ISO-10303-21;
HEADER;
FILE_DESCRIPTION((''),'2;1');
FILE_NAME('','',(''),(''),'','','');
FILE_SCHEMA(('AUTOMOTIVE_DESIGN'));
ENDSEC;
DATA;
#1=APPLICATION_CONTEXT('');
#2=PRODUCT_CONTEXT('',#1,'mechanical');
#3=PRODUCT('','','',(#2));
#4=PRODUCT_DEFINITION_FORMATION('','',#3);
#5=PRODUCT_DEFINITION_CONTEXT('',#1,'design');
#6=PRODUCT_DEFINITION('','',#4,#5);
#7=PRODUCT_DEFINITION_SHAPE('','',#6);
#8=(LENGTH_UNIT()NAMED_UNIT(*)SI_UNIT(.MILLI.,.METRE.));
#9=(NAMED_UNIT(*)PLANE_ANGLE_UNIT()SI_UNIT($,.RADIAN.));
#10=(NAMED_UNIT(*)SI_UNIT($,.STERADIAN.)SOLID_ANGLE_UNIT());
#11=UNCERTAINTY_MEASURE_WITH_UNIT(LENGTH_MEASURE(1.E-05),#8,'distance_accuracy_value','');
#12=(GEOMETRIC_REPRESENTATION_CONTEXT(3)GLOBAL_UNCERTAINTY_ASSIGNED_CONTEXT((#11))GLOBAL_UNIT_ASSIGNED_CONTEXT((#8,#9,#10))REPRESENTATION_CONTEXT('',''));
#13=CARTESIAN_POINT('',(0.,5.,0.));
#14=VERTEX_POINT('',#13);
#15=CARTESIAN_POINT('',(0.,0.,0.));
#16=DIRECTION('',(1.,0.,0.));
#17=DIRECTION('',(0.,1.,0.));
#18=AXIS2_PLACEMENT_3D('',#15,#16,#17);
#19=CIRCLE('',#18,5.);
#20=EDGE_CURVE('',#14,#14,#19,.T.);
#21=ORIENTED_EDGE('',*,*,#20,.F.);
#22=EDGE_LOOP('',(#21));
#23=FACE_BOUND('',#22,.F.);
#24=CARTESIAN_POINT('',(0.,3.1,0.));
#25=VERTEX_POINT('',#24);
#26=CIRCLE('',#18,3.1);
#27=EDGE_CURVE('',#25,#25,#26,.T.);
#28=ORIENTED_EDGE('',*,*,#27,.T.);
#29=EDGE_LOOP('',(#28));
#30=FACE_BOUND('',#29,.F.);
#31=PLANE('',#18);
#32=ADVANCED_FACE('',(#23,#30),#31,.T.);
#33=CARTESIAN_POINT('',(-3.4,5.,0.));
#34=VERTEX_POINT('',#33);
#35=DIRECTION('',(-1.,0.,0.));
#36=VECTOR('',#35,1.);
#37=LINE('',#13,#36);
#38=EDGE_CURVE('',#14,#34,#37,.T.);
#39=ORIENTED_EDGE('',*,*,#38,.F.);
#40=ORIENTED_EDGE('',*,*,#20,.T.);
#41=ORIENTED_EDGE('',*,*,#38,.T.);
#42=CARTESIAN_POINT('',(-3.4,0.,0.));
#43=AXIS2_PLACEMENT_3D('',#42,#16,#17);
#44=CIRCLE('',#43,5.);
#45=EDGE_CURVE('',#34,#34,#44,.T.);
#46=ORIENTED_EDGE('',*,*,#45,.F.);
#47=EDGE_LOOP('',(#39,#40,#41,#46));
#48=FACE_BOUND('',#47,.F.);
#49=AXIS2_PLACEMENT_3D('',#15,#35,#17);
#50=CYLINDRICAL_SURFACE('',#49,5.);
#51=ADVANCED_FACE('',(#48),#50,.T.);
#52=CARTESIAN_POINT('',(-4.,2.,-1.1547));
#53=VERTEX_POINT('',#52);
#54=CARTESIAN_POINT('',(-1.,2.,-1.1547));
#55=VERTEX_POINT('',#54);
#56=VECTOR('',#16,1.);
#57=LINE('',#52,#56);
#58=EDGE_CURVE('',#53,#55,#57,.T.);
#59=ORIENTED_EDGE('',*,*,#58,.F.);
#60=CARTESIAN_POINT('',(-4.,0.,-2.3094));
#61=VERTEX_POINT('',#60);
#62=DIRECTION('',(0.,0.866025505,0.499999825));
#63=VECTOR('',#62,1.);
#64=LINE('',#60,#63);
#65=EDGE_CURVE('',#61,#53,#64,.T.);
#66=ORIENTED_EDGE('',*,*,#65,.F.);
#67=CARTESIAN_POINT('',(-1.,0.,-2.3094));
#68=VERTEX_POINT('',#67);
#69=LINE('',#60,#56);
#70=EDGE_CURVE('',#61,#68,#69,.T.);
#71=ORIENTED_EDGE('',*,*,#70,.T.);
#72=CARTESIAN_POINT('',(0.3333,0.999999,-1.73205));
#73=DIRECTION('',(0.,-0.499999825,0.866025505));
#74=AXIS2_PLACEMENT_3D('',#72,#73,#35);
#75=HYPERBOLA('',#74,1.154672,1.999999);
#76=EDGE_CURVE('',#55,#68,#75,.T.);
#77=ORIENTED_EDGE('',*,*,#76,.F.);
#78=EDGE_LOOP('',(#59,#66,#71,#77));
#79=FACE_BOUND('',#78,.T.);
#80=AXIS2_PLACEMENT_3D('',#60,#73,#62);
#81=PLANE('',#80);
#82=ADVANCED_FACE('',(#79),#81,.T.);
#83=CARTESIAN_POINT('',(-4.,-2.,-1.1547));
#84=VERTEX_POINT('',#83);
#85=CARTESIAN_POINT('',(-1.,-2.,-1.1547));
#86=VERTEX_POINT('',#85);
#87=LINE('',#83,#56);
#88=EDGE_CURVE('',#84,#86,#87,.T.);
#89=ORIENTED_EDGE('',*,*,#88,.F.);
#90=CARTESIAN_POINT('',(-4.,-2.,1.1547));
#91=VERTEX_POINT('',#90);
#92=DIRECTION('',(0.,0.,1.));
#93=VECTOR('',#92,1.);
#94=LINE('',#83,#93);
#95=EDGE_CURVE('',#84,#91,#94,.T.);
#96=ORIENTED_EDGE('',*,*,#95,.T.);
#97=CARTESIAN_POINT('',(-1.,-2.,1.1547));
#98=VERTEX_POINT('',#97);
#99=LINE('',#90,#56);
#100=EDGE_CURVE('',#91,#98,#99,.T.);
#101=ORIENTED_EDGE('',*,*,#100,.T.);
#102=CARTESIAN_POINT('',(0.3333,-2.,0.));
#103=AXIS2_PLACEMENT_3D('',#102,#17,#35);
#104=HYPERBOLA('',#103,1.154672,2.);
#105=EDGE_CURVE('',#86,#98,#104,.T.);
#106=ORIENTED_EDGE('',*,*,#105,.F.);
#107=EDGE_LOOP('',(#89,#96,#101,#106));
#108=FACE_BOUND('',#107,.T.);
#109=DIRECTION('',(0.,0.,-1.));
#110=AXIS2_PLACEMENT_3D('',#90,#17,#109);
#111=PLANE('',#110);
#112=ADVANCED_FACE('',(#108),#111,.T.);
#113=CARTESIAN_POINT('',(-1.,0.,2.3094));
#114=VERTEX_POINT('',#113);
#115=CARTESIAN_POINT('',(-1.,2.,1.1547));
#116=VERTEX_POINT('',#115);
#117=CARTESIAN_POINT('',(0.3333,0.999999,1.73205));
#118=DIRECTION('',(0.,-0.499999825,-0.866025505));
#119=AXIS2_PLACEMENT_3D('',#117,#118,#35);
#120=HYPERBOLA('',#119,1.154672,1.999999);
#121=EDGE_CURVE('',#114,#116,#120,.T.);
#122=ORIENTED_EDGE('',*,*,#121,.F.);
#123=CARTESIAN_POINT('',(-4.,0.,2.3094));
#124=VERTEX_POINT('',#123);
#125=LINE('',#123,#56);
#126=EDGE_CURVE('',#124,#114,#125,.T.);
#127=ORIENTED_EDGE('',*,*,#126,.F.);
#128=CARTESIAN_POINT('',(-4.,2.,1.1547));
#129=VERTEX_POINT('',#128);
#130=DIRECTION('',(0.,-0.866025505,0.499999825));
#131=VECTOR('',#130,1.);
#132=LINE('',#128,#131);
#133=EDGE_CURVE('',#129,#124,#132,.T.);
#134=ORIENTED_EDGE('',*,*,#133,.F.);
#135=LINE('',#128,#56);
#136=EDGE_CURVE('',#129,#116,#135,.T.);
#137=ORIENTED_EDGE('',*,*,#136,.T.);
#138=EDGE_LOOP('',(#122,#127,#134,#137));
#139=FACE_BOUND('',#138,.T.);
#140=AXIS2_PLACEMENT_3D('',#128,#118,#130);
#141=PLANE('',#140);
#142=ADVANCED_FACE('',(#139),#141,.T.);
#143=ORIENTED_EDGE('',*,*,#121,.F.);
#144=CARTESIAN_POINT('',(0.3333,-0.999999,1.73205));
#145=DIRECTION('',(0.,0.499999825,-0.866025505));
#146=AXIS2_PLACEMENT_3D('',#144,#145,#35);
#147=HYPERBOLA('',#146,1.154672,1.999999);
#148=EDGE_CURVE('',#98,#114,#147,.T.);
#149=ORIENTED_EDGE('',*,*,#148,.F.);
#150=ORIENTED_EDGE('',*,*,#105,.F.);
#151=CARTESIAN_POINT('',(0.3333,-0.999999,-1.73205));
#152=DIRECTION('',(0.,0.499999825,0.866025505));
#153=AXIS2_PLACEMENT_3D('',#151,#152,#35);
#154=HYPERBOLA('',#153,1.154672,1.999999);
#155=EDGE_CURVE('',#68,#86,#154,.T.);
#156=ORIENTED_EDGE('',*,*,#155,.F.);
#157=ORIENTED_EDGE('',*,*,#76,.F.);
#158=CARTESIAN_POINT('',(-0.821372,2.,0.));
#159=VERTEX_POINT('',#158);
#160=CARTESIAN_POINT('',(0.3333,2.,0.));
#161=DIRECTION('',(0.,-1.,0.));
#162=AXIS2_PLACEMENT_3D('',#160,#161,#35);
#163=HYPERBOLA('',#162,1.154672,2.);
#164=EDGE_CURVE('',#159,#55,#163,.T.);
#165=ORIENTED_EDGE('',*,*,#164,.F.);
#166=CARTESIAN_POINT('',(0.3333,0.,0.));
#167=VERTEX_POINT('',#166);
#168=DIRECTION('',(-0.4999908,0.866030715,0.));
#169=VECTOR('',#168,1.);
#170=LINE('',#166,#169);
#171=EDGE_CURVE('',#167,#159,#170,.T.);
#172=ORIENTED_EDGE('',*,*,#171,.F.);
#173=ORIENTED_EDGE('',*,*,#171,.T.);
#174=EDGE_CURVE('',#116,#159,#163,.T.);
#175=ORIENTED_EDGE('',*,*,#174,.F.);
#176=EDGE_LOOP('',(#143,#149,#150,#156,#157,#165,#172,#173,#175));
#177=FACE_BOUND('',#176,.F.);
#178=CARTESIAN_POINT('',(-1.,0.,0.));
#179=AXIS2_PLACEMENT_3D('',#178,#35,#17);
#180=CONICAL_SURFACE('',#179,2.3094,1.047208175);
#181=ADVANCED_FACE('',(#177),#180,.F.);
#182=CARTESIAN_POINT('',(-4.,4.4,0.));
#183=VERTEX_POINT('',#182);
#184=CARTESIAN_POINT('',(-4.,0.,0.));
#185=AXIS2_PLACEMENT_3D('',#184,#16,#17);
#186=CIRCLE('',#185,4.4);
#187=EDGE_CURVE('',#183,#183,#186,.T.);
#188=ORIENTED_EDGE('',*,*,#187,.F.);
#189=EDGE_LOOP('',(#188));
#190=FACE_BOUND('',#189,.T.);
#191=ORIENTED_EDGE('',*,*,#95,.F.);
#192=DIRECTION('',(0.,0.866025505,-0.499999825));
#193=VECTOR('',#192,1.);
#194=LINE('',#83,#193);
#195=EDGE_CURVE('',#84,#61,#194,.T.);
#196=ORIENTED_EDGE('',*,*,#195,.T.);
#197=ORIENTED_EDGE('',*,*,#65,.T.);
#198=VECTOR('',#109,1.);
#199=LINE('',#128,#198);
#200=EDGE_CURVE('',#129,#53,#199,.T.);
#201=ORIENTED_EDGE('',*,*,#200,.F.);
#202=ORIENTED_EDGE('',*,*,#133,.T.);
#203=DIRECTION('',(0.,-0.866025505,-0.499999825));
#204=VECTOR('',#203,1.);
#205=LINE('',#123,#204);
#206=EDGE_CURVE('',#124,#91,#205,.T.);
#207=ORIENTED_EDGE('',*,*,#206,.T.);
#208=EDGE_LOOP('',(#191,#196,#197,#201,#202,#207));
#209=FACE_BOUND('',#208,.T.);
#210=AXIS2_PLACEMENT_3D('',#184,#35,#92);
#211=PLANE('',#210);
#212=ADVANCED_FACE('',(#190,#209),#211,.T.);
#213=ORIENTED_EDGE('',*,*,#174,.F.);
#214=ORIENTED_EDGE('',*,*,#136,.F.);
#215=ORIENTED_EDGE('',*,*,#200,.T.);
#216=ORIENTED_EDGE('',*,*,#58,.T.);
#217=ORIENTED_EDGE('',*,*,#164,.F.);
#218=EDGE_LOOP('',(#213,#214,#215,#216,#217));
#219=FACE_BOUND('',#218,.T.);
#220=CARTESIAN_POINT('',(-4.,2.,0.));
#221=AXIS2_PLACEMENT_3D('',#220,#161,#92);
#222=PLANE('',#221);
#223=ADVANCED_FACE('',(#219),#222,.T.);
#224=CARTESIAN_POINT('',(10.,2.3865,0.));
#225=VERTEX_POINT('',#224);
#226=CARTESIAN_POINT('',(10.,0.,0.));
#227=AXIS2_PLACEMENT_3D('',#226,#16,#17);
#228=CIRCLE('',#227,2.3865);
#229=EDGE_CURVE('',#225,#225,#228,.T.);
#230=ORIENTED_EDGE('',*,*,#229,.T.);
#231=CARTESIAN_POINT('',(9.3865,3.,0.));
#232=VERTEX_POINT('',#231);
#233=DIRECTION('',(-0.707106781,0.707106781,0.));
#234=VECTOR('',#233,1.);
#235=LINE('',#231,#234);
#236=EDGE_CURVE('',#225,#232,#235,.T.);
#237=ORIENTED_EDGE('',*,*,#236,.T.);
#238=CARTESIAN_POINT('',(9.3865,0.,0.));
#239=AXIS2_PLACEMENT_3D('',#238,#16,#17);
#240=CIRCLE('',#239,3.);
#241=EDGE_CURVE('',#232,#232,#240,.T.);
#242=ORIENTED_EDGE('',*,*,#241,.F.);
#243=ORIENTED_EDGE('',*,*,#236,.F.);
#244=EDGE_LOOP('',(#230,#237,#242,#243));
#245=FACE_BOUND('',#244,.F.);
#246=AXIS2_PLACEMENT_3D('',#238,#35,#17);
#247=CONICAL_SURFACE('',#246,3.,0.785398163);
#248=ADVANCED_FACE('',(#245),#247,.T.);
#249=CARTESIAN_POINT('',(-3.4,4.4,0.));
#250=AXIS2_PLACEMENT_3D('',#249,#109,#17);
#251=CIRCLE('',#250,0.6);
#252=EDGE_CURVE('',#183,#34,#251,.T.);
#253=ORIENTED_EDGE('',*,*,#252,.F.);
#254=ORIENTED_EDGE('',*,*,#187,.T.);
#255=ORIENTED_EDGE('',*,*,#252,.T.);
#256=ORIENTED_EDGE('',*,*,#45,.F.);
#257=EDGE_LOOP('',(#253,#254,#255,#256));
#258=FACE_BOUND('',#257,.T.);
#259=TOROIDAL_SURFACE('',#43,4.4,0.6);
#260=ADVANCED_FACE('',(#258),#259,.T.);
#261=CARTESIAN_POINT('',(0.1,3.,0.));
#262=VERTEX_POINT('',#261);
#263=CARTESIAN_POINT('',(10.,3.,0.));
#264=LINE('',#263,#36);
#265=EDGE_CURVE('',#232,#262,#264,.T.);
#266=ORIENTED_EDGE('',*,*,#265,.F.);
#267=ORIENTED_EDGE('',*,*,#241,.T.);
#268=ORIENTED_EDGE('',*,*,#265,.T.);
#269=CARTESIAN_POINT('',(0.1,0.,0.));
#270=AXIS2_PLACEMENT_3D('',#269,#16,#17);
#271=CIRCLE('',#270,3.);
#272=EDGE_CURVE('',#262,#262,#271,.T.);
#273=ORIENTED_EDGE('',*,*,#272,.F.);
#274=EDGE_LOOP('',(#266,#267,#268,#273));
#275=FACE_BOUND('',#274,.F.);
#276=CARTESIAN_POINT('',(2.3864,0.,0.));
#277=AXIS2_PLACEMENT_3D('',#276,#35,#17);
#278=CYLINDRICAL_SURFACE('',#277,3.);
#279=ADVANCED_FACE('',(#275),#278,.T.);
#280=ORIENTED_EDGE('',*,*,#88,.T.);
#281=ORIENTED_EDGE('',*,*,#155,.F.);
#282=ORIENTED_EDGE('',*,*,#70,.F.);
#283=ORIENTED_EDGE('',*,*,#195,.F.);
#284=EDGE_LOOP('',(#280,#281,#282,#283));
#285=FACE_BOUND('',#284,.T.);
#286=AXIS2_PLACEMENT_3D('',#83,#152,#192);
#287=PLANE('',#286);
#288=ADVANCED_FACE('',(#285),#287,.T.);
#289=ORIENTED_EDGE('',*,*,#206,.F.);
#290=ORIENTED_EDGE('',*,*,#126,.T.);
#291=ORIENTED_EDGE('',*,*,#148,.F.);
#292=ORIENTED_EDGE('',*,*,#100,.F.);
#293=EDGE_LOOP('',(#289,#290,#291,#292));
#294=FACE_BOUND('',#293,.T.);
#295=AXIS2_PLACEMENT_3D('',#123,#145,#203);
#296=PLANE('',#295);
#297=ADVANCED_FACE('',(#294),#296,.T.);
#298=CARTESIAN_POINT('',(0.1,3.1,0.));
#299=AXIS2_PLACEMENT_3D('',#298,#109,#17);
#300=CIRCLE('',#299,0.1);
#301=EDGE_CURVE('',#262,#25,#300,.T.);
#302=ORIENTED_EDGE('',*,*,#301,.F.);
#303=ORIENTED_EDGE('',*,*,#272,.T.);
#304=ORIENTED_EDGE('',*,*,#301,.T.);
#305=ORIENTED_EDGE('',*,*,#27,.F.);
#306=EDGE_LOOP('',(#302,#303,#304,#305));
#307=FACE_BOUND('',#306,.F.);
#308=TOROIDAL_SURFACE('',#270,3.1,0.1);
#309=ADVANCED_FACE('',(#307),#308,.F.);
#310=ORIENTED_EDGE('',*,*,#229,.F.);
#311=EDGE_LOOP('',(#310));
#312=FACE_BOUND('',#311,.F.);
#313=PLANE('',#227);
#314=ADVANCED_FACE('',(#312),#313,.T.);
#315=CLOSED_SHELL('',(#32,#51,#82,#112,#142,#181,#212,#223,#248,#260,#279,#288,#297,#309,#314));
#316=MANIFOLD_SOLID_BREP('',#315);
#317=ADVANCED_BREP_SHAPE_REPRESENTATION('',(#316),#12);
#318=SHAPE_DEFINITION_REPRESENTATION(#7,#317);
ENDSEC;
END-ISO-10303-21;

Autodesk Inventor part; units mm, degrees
ref_plane "YZ Plane" through (0, 0, 0) normal (1, 0, 0) x (0, 1, 0)
ref_plane "XZ Plane" through (0, 0, 0) normal (0, 1, 0) x (-1, 0, 0)
sketch "Szkic1" plane through (0, 0, 0) normal (0, 0, 1) x (1, 0, 0)
  line L0 (0.3333, 0) -> (10, 0)
  line L1 (10, 0) -> (10, 3)
  line L2 (10, 3) -> (3, 3)
  line L3 (3, 3) -> (2.3864, 3)
  line L4 (2.3864, 3) -> (0, 3)
  line L5 (0, 3) -> (0, 5)
  line L6 (0, 5) -> (-4, 5)
  line L7 (-4, 5) -> (-4, 2.3094)
  line L8 (-4, 2.3094) -> (-1, 2.3094)
  line L9 (-1, 2.3094) -> (0.3333, 0)
  line L10 (-6.8, 0) -> (12.8, 0) projected
  line L11 (0, -1) -> (0, 6) projected
  line L12 (3, 3) -> (0, 3) construction
  dimension "d1" = 7
  dimension "d2" = 0.6136
  dimension "d3" = 4
  dimension "d4" = 3
  dimension "d5" = 60
  dimension "d6" = 6
  dimension "d7" = 6
  dimension "d8" = 4.6188
  dimension "d9" = 10
  dimension "d26" = 10
revolve "Bryła" add sketch "Szkic1" angle 360 about axis through (0.3333, 0, 0) along (1, 0, 0) contours L9 L11 L4 L3 L2 L1 L0 | L9 L8 L7 L6 L5 L11
sketch "Szkic2" plane through (-4, 0, 0) normal (-1, 0, 0) x (0, 0, 1)
  circle A0 centre (0, 0) radius 2.3094 projected
  line L0 (0, -7) -> (0, 7) projected
  line L1 (-7, 0) -> (7, 0) projected
  line L2 (2.3094, 0) -> (1.1547, -2)
  line L3 (1.1547, -2) -> (-1.1547, -2)
  line L4 (-1.1547, -2) -> (-2.3094, 0)
  line L5 (-2.3094, 0) -> (-1.1547, 2)
  line L6 (-1.1547, 2) -> (1.1547, 2)
  line L7 (1.1547, 2) -> (2.3094, 0)
extrude "Szczelina" add sketch "Szkic2" against normal up to next contours L7 A0 | A0 L2 | L6 L0 A0 | A0 L0 L3 | L0 L6 A0 | A0 L3 L0 | L4 A0 | A0 L5
fillet "Zaokrąglenie1" radius 0.6 1 edges at (-4, -5, 0)
thread "Gwint" size "M6x1" class "6g" standard "ISO Metric profile" length 7
chamfer "Faza1" distance 0.6135 distance2 0.6135 1 edges at (10, -3, 0) measured on face at (10, 0.705, 0.3049)
ref_plane "Work Plane1" through (29, 0, 0) normal (0, -1, 0) x (1, 0, 0)
fillet "Fillet2" radius 0.1 1 edges at (0, -3, 0)
equation "\"d1\" = GEL"
equation "\"d3\" = KOH"
equation "\"d4\" = INTI"
equation "\"d6\" = GD"
equation "\"d7\" = BDM"
equation "\"d8\" = 1.1547 * SW"
equation "\"d9\" = KOD"
equation "\"d26\" = NLG"
equation "\"d30\" = R"
equation "\"d17\" = RR"
equation "\"d13\" = GEL"
equation "\"d15\" = -0.5 * SPD + 0.5 * GD"
equation "\"d16\" = GUL"
equation "\"GD\" = NND"
equation "\"NLG\" = 10"
equation "\"GEL\" = 7"
equation "\"KOD\" = 10"
equation "\"KOH\" = 4"
equation "\"INTI\" = 3"
equation "\"GAL\" = 0.61345 * PTC"
equation "\"GUL\" = 0.61345 * PTC"
equation "\"BDM\" = NND"
equation "\"SW\" = 4"
equation "\"RR\" = 0.6"
equation "\"SPD\" = NND - 1.2269 * PTC"
equation "\"R\" = 0.1"
equation "\"TOA\" = 30deg"
equation "\"GD1\" = THREADDIA - 1.2269 * PTC"
equation "\"THREADDIA\" = 6"
equation "\"FAWI\" = 45deg"
equation "\"ANG\" = 120deg"
equation "\"PTC\" = 1"
equation "\"NND\" = 6"
equation "\"E0\" = 1.155 * SW"
properties part number "DIN 7984 - M6 x 10" material "Stal, miękka"
